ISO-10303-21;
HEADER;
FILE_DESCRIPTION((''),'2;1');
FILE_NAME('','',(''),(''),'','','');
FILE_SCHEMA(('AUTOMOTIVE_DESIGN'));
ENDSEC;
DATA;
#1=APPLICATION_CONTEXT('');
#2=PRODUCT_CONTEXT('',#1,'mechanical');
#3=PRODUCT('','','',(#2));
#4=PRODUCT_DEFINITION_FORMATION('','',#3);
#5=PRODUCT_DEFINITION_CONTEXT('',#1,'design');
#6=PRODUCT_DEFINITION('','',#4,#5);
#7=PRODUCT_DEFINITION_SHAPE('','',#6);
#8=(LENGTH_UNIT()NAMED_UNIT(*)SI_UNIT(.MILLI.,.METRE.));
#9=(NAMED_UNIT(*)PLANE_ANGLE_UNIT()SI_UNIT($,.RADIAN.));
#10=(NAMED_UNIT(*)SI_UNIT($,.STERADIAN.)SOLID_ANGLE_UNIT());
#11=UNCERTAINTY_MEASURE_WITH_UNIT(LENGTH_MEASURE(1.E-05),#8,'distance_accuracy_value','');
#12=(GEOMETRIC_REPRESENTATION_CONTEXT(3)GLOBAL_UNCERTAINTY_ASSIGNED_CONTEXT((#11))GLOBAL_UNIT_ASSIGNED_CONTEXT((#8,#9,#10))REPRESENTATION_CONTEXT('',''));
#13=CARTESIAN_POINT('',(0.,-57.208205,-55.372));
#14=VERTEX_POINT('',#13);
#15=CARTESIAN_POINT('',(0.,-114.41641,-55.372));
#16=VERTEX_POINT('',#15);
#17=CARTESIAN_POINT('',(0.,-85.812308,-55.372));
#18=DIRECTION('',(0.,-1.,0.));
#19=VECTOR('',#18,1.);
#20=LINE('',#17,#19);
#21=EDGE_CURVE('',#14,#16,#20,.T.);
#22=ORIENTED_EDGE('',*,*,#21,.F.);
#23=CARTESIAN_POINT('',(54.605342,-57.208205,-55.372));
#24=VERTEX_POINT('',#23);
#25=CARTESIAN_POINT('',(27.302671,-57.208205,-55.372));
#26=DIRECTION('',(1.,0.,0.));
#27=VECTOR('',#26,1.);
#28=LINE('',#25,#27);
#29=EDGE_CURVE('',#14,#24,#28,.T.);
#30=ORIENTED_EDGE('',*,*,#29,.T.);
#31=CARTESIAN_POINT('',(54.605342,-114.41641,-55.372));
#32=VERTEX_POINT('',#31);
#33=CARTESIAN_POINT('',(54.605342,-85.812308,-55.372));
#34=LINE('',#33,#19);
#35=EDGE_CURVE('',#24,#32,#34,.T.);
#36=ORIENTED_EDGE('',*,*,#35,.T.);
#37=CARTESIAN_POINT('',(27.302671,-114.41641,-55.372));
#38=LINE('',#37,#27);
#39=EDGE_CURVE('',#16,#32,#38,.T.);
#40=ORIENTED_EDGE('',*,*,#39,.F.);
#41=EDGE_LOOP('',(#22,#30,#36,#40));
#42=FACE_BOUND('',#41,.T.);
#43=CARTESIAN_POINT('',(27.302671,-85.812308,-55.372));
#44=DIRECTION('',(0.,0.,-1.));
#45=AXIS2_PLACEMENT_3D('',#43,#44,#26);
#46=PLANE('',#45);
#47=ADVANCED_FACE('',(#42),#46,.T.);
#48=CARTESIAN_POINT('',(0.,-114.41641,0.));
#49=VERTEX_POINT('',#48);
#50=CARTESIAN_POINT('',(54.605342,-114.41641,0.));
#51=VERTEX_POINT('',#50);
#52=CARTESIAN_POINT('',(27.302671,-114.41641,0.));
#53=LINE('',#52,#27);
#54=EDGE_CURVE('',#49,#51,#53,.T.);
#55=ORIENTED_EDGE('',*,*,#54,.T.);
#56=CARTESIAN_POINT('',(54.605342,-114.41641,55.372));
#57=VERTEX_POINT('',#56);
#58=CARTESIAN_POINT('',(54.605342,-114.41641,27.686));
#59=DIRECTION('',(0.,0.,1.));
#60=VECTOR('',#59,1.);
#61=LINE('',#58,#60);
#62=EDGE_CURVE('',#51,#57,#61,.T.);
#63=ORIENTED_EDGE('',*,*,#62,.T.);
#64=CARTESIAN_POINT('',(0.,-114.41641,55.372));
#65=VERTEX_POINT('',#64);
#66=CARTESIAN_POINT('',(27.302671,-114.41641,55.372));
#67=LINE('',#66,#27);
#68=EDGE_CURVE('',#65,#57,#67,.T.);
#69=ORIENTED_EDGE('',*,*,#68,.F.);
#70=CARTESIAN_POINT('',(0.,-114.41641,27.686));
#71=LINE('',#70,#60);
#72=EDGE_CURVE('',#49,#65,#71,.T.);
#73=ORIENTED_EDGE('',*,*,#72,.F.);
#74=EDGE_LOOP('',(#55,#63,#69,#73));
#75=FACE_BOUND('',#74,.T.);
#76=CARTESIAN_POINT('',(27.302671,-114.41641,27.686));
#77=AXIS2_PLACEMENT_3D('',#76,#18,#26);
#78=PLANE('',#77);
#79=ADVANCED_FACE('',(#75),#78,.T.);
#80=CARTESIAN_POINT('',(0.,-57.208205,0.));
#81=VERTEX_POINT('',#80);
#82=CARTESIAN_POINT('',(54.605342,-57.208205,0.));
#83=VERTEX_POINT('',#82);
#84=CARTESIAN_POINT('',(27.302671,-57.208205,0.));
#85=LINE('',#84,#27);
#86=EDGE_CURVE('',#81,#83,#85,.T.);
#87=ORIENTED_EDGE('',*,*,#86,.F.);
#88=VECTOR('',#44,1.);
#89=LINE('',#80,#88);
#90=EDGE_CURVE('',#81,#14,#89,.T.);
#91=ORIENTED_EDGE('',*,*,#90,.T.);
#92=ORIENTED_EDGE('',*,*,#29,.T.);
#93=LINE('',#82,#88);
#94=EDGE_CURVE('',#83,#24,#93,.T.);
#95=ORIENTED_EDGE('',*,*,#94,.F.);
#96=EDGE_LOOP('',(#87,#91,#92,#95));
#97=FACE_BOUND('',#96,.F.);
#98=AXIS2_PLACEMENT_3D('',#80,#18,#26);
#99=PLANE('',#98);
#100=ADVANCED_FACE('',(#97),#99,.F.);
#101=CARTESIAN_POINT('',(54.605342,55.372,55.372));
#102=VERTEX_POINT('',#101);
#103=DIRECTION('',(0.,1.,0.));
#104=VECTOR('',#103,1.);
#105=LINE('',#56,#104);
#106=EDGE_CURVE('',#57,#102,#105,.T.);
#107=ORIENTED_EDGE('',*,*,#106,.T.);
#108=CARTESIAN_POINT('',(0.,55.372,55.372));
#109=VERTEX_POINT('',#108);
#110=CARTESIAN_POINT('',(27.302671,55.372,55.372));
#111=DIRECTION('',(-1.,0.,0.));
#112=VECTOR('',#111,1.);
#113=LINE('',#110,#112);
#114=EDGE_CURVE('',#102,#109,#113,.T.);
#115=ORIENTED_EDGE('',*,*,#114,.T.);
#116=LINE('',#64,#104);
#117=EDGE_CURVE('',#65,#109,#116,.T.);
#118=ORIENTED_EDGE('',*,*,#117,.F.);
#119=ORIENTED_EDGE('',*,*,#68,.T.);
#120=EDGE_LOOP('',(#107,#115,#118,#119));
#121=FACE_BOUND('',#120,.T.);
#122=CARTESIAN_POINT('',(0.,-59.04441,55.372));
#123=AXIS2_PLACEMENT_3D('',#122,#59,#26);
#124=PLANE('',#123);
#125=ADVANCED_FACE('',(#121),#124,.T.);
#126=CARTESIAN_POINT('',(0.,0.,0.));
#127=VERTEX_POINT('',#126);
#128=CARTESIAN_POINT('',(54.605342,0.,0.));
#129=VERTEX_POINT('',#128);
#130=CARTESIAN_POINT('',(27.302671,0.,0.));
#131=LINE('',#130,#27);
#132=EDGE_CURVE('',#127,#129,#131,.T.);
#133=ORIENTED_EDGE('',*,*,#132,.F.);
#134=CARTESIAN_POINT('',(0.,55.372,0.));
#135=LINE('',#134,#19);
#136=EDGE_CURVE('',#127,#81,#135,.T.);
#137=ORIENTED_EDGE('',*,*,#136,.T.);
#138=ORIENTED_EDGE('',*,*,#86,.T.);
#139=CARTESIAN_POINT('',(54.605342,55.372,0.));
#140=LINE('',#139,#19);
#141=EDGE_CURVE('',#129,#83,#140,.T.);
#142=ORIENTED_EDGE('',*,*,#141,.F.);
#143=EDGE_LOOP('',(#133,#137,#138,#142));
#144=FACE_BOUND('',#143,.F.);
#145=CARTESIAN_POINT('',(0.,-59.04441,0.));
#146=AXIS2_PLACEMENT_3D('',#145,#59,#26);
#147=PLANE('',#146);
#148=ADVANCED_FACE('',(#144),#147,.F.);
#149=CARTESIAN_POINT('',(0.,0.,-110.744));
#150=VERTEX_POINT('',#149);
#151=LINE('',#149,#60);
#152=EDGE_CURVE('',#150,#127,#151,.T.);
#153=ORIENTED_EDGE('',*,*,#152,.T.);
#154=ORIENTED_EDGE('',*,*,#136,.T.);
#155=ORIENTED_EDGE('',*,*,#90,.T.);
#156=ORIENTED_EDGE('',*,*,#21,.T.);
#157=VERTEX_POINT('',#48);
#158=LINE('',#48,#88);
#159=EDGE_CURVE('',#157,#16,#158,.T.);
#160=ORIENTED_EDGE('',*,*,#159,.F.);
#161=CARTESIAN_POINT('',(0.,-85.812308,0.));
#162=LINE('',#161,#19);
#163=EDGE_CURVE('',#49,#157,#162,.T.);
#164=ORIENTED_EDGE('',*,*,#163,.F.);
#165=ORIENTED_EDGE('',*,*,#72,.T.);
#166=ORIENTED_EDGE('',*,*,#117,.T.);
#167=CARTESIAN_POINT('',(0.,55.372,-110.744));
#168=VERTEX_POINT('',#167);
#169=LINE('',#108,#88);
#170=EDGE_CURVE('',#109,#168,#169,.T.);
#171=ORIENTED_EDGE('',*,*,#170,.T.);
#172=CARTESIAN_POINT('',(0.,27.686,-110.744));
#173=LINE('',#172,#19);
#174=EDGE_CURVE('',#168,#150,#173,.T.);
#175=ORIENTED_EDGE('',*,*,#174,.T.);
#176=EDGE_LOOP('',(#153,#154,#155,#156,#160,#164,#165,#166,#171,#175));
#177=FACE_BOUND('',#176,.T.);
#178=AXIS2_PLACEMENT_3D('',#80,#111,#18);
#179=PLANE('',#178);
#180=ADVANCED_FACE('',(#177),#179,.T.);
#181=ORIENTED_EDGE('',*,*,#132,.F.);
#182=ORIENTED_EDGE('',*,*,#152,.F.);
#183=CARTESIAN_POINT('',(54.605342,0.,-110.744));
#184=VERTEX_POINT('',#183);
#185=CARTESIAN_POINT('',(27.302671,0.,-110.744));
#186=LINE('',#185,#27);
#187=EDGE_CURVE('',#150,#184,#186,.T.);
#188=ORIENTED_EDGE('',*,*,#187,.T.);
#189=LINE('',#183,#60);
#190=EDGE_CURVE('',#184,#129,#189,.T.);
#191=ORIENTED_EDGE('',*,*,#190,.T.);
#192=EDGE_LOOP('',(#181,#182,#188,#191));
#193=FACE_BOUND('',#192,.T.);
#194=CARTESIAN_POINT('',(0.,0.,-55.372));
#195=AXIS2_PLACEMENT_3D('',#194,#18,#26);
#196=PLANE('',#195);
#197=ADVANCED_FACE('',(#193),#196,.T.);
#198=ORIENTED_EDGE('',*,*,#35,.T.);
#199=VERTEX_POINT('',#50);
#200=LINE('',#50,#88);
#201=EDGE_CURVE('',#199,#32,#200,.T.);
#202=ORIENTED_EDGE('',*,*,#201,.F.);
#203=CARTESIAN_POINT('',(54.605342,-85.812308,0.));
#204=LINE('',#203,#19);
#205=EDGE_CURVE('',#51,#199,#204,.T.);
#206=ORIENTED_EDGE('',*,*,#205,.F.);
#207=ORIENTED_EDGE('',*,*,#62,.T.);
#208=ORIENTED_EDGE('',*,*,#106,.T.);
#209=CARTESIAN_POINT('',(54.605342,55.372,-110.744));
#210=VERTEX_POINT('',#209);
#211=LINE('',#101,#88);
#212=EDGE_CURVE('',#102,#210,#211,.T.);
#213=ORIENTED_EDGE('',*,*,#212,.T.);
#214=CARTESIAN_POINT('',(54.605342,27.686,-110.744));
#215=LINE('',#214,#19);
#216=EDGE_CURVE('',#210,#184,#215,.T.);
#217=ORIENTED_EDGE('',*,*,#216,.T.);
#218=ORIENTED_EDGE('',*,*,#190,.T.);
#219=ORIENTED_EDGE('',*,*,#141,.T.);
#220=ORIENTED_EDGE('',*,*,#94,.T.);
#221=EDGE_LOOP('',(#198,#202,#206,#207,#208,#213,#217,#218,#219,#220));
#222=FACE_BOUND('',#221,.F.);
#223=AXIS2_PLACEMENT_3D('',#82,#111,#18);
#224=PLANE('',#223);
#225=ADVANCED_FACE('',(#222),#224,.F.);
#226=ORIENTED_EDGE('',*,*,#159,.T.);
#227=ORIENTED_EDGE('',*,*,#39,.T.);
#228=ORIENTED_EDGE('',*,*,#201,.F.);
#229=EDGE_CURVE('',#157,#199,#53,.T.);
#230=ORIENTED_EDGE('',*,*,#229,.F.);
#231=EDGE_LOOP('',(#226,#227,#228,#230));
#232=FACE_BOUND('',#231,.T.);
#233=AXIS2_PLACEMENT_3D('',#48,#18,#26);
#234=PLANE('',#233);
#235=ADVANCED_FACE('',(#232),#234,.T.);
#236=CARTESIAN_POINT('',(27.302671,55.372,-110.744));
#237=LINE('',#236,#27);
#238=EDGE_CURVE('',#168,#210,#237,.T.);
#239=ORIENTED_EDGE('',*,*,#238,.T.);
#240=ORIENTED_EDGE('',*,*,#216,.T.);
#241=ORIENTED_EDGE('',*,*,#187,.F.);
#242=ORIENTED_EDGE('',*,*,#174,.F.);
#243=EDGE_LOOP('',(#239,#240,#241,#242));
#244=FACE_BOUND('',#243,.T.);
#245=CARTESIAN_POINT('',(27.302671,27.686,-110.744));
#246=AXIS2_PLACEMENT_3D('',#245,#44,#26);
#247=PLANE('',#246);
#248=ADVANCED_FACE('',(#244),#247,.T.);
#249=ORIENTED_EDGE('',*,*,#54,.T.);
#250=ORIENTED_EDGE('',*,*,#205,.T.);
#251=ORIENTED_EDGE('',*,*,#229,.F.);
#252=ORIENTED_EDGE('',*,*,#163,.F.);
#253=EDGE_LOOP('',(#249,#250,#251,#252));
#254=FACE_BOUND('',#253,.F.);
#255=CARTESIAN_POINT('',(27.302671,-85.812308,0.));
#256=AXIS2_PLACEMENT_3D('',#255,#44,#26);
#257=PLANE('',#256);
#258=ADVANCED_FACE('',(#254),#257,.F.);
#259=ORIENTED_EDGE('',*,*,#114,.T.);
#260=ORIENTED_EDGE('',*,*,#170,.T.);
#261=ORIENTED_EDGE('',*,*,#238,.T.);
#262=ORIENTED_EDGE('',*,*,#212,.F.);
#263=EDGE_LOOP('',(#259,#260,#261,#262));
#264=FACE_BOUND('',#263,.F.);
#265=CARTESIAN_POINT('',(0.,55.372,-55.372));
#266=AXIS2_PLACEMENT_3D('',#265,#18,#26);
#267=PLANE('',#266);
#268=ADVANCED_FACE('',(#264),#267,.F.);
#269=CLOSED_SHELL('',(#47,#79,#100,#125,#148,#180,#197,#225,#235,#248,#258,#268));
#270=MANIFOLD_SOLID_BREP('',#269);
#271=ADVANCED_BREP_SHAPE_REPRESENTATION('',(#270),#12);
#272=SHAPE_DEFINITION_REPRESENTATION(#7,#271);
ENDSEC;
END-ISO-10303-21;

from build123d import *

# Parameters (mm, degrees)
F0_W      = 54.605342
F0_H      = 59.04441
F1_DEPTH  = 55.372
F2_W      = 54.605342
F2_H      = 55.372
F3_DEPTH  = 55.372
F4_W      = 54.605342
F4_H      = 55.372
F5_DEPTH  = 55.372
F6_W      = 54.605342
F6_H      = 55.372
F7_DEPTH  = 55.372
F8_W      = 54.605342
F8_H      = 55.372
F9_DEPTH  = 55.372
F10_W     = 54.605342
F10_H     = 57.208205
F11_DEPTH = 55.372


with BuildPart() as f1:
    # F0 (on Top) → F1 (new body)
    with BuildSketch(Plane.XY):
        with Locations((27.302671, -29.522205)):
            Rectangle(F0_W, F0_H)
    extrude(amount=F1_DEPTH)

    # F2 (on face) → F3 (join)
    with BuildSketch(Plane(origin=(0, 0, 0), x_dir=(-1, 0, 0), z_dir=(0, 1, 0))):
        with Locations((-27.302671, 27.686)):
            Rectangle(F2_W, F2_H)
    extrude(amount=F3_DEPTH)

    # F4 (on face) → F5 (join)
    with BuildSketch(Plane.XZ.offset(59.04441)):
        with Locations((27.302671, 27.686)):
            Rectangle(F4_W, F4_H)
    extrude(amount=F5_DEPTH)

    # F6 (on face) → F7 (join)
    with BuildSketch(Plane(origin=(0, 0, 0), x_dir=(1, 0, 0), z_dir=(0, 0, -1))):
        with Locations((27.302671, -27.686)):
            Rectangle(F6_W, F6_H)
    extrude(amount=F7_DEPTH)

    # F8 (on face) → F9 (join)
    with BuildSketch(Plane(origin=(0, 0, -55.372), x_dir=(1, 0, 0), z_dir=(0, 0, -1))):
        with Locations((27.302671, -27.686)):
            Rectangle(F8_W, F8_H)
    extrude(amount=F9_DEPTH)

    # F10 (on face) → F11 (join)
    with BuildSketch(Plane(origin=(0, 0, 0), x_dir=(1, 0, 0), z_dir=(0, 0, -1))):
        with Locations((27.302671, 85.812308)):
            Rectangle(F10_W, F10_H)
    extrude(amount=F11_DEPTH)


solid = f1.part
